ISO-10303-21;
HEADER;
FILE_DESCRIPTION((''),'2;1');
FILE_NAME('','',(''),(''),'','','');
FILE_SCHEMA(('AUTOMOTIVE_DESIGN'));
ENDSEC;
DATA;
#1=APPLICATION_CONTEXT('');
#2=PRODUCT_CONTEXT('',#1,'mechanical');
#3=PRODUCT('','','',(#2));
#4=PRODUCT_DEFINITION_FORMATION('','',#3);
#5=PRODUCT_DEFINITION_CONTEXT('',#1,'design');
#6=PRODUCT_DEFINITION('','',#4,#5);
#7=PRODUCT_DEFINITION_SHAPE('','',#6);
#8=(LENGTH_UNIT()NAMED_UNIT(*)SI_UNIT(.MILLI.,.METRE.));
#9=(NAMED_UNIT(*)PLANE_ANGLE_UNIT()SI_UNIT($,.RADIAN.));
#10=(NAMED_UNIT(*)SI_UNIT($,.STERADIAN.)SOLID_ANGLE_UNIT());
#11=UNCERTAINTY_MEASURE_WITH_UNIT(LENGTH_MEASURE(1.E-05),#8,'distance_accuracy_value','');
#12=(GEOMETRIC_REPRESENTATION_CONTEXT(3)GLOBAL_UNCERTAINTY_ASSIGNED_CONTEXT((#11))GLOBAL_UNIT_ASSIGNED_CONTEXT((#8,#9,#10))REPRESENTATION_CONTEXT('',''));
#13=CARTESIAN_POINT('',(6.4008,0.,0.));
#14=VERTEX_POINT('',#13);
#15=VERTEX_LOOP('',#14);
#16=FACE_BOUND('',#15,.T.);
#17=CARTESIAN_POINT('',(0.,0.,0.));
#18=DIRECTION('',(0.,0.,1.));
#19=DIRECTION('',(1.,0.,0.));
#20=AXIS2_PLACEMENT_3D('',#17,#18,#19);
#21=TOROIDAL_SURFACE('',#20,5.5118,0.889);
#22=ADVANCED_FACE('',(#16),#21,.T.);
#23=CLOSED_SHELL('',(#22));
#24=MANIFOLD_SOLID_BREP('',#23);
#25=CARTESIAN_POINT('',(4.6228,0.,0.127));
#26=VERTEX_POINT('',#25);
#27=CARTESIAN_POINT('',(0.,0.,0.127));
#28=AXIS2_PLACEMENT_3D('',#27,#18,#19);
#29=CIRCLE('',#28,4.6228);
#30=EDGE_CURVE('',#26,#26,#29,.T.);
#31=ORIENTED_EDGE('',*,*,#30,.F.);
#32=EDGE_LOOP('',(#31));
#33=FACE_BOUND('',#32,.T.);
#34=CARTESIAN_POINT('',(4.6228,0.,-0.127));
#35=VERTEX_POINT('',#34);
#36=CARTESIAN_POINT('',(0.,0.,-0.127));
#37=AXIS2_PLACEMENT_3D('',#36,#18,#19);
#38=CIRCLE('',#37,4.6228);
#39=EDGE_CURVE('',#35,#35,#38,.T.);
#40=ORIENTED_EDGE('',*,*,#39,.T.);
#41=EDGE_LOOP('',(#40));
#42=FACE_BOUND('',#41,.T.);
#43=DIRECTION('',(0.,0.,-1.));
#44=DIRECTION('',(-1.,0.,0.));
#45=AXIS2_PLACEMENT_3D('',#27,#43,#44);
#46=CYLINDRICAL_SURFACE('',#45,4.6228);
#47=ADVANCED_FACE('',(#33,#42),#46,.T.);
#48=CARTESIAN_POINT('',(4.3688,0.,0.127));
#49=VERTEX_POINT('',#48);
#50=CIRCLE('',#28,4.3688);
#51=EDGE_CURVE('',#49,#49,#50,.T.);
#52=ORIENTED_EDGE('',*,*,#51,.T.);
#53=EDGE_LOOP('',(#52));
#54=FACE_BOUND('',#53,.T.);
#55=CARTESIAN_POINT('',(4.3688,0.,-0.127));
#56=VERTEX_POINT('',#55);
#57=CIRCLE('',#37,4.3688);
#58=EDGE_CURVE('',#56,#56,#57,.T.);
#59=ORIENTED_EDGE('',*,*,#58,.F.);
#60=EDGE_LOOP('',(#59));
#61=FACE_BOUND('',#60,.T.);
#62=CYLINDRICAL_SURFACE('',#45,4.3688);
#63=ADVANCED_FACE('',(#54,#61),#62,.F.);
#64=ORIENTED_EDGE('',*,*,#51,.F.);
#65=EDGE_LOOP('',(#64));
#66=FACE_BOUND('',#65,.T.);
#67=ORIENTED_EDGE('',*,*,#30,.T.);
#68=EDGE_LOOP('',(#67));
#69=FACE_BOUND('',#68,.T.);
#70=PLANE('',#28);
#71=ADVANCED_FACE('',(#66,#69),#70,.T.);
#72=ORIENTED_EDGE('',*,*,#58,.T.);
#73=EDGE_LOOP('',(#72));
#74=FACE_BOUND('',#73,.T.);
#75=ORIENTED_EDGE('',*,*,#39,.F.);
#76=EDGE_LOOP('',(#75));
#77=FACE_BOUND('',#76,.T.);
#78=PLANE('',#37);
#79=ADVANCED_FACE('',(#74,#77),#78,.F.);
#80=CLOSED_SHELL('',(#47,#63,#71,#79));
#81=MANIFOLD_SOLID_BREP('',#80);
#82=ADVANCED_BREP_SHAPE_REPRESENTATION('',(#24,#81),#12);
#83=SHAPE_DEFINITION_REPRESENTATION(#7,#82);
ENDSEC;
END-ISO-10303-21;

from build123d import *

# Parameters (mm, degrees)
SKETCH1_R           = 0.889
SKETCH3_R           = 4.6228
SKETCH3_R_2         = 4.3688
BOSS_EXTRUDE1_DEPTH = 0.127


with BuildPart() as part:
    # Sketch1 → Revolve1 (revolve)
    with BuildSketch(Plane(origin=(0, 0, 0), x_dir=(0, -1, 0), z_dir=(1, 0, 0)), mode=Mode.PRIVATE) as revolve1_sk:
        with Locations((5.5118, 0)):
            Circle(SKETCH1_R)
    revolve(revolve1_sk.sketch.rotate(Axis((0, 0, 0.889), (0, 0, -1)), 270), axis=Axis((0, 0, 0.889), (0, 0, -1)))


with BuildPart() as body_2:
    # Sketch3 → Boss-Extrude1 (new, symmetric)
    with BuildSketch(Plane.XY):
        Circle(SKETCH3_R)
        Circle(SKETCH3_R_2, mode=Mode.SUBTRACT)
    extrude(amount=BOSS_EXTRUDE1_DEPTH, both=True)


solid = Compound([part.part, body_2.part])
